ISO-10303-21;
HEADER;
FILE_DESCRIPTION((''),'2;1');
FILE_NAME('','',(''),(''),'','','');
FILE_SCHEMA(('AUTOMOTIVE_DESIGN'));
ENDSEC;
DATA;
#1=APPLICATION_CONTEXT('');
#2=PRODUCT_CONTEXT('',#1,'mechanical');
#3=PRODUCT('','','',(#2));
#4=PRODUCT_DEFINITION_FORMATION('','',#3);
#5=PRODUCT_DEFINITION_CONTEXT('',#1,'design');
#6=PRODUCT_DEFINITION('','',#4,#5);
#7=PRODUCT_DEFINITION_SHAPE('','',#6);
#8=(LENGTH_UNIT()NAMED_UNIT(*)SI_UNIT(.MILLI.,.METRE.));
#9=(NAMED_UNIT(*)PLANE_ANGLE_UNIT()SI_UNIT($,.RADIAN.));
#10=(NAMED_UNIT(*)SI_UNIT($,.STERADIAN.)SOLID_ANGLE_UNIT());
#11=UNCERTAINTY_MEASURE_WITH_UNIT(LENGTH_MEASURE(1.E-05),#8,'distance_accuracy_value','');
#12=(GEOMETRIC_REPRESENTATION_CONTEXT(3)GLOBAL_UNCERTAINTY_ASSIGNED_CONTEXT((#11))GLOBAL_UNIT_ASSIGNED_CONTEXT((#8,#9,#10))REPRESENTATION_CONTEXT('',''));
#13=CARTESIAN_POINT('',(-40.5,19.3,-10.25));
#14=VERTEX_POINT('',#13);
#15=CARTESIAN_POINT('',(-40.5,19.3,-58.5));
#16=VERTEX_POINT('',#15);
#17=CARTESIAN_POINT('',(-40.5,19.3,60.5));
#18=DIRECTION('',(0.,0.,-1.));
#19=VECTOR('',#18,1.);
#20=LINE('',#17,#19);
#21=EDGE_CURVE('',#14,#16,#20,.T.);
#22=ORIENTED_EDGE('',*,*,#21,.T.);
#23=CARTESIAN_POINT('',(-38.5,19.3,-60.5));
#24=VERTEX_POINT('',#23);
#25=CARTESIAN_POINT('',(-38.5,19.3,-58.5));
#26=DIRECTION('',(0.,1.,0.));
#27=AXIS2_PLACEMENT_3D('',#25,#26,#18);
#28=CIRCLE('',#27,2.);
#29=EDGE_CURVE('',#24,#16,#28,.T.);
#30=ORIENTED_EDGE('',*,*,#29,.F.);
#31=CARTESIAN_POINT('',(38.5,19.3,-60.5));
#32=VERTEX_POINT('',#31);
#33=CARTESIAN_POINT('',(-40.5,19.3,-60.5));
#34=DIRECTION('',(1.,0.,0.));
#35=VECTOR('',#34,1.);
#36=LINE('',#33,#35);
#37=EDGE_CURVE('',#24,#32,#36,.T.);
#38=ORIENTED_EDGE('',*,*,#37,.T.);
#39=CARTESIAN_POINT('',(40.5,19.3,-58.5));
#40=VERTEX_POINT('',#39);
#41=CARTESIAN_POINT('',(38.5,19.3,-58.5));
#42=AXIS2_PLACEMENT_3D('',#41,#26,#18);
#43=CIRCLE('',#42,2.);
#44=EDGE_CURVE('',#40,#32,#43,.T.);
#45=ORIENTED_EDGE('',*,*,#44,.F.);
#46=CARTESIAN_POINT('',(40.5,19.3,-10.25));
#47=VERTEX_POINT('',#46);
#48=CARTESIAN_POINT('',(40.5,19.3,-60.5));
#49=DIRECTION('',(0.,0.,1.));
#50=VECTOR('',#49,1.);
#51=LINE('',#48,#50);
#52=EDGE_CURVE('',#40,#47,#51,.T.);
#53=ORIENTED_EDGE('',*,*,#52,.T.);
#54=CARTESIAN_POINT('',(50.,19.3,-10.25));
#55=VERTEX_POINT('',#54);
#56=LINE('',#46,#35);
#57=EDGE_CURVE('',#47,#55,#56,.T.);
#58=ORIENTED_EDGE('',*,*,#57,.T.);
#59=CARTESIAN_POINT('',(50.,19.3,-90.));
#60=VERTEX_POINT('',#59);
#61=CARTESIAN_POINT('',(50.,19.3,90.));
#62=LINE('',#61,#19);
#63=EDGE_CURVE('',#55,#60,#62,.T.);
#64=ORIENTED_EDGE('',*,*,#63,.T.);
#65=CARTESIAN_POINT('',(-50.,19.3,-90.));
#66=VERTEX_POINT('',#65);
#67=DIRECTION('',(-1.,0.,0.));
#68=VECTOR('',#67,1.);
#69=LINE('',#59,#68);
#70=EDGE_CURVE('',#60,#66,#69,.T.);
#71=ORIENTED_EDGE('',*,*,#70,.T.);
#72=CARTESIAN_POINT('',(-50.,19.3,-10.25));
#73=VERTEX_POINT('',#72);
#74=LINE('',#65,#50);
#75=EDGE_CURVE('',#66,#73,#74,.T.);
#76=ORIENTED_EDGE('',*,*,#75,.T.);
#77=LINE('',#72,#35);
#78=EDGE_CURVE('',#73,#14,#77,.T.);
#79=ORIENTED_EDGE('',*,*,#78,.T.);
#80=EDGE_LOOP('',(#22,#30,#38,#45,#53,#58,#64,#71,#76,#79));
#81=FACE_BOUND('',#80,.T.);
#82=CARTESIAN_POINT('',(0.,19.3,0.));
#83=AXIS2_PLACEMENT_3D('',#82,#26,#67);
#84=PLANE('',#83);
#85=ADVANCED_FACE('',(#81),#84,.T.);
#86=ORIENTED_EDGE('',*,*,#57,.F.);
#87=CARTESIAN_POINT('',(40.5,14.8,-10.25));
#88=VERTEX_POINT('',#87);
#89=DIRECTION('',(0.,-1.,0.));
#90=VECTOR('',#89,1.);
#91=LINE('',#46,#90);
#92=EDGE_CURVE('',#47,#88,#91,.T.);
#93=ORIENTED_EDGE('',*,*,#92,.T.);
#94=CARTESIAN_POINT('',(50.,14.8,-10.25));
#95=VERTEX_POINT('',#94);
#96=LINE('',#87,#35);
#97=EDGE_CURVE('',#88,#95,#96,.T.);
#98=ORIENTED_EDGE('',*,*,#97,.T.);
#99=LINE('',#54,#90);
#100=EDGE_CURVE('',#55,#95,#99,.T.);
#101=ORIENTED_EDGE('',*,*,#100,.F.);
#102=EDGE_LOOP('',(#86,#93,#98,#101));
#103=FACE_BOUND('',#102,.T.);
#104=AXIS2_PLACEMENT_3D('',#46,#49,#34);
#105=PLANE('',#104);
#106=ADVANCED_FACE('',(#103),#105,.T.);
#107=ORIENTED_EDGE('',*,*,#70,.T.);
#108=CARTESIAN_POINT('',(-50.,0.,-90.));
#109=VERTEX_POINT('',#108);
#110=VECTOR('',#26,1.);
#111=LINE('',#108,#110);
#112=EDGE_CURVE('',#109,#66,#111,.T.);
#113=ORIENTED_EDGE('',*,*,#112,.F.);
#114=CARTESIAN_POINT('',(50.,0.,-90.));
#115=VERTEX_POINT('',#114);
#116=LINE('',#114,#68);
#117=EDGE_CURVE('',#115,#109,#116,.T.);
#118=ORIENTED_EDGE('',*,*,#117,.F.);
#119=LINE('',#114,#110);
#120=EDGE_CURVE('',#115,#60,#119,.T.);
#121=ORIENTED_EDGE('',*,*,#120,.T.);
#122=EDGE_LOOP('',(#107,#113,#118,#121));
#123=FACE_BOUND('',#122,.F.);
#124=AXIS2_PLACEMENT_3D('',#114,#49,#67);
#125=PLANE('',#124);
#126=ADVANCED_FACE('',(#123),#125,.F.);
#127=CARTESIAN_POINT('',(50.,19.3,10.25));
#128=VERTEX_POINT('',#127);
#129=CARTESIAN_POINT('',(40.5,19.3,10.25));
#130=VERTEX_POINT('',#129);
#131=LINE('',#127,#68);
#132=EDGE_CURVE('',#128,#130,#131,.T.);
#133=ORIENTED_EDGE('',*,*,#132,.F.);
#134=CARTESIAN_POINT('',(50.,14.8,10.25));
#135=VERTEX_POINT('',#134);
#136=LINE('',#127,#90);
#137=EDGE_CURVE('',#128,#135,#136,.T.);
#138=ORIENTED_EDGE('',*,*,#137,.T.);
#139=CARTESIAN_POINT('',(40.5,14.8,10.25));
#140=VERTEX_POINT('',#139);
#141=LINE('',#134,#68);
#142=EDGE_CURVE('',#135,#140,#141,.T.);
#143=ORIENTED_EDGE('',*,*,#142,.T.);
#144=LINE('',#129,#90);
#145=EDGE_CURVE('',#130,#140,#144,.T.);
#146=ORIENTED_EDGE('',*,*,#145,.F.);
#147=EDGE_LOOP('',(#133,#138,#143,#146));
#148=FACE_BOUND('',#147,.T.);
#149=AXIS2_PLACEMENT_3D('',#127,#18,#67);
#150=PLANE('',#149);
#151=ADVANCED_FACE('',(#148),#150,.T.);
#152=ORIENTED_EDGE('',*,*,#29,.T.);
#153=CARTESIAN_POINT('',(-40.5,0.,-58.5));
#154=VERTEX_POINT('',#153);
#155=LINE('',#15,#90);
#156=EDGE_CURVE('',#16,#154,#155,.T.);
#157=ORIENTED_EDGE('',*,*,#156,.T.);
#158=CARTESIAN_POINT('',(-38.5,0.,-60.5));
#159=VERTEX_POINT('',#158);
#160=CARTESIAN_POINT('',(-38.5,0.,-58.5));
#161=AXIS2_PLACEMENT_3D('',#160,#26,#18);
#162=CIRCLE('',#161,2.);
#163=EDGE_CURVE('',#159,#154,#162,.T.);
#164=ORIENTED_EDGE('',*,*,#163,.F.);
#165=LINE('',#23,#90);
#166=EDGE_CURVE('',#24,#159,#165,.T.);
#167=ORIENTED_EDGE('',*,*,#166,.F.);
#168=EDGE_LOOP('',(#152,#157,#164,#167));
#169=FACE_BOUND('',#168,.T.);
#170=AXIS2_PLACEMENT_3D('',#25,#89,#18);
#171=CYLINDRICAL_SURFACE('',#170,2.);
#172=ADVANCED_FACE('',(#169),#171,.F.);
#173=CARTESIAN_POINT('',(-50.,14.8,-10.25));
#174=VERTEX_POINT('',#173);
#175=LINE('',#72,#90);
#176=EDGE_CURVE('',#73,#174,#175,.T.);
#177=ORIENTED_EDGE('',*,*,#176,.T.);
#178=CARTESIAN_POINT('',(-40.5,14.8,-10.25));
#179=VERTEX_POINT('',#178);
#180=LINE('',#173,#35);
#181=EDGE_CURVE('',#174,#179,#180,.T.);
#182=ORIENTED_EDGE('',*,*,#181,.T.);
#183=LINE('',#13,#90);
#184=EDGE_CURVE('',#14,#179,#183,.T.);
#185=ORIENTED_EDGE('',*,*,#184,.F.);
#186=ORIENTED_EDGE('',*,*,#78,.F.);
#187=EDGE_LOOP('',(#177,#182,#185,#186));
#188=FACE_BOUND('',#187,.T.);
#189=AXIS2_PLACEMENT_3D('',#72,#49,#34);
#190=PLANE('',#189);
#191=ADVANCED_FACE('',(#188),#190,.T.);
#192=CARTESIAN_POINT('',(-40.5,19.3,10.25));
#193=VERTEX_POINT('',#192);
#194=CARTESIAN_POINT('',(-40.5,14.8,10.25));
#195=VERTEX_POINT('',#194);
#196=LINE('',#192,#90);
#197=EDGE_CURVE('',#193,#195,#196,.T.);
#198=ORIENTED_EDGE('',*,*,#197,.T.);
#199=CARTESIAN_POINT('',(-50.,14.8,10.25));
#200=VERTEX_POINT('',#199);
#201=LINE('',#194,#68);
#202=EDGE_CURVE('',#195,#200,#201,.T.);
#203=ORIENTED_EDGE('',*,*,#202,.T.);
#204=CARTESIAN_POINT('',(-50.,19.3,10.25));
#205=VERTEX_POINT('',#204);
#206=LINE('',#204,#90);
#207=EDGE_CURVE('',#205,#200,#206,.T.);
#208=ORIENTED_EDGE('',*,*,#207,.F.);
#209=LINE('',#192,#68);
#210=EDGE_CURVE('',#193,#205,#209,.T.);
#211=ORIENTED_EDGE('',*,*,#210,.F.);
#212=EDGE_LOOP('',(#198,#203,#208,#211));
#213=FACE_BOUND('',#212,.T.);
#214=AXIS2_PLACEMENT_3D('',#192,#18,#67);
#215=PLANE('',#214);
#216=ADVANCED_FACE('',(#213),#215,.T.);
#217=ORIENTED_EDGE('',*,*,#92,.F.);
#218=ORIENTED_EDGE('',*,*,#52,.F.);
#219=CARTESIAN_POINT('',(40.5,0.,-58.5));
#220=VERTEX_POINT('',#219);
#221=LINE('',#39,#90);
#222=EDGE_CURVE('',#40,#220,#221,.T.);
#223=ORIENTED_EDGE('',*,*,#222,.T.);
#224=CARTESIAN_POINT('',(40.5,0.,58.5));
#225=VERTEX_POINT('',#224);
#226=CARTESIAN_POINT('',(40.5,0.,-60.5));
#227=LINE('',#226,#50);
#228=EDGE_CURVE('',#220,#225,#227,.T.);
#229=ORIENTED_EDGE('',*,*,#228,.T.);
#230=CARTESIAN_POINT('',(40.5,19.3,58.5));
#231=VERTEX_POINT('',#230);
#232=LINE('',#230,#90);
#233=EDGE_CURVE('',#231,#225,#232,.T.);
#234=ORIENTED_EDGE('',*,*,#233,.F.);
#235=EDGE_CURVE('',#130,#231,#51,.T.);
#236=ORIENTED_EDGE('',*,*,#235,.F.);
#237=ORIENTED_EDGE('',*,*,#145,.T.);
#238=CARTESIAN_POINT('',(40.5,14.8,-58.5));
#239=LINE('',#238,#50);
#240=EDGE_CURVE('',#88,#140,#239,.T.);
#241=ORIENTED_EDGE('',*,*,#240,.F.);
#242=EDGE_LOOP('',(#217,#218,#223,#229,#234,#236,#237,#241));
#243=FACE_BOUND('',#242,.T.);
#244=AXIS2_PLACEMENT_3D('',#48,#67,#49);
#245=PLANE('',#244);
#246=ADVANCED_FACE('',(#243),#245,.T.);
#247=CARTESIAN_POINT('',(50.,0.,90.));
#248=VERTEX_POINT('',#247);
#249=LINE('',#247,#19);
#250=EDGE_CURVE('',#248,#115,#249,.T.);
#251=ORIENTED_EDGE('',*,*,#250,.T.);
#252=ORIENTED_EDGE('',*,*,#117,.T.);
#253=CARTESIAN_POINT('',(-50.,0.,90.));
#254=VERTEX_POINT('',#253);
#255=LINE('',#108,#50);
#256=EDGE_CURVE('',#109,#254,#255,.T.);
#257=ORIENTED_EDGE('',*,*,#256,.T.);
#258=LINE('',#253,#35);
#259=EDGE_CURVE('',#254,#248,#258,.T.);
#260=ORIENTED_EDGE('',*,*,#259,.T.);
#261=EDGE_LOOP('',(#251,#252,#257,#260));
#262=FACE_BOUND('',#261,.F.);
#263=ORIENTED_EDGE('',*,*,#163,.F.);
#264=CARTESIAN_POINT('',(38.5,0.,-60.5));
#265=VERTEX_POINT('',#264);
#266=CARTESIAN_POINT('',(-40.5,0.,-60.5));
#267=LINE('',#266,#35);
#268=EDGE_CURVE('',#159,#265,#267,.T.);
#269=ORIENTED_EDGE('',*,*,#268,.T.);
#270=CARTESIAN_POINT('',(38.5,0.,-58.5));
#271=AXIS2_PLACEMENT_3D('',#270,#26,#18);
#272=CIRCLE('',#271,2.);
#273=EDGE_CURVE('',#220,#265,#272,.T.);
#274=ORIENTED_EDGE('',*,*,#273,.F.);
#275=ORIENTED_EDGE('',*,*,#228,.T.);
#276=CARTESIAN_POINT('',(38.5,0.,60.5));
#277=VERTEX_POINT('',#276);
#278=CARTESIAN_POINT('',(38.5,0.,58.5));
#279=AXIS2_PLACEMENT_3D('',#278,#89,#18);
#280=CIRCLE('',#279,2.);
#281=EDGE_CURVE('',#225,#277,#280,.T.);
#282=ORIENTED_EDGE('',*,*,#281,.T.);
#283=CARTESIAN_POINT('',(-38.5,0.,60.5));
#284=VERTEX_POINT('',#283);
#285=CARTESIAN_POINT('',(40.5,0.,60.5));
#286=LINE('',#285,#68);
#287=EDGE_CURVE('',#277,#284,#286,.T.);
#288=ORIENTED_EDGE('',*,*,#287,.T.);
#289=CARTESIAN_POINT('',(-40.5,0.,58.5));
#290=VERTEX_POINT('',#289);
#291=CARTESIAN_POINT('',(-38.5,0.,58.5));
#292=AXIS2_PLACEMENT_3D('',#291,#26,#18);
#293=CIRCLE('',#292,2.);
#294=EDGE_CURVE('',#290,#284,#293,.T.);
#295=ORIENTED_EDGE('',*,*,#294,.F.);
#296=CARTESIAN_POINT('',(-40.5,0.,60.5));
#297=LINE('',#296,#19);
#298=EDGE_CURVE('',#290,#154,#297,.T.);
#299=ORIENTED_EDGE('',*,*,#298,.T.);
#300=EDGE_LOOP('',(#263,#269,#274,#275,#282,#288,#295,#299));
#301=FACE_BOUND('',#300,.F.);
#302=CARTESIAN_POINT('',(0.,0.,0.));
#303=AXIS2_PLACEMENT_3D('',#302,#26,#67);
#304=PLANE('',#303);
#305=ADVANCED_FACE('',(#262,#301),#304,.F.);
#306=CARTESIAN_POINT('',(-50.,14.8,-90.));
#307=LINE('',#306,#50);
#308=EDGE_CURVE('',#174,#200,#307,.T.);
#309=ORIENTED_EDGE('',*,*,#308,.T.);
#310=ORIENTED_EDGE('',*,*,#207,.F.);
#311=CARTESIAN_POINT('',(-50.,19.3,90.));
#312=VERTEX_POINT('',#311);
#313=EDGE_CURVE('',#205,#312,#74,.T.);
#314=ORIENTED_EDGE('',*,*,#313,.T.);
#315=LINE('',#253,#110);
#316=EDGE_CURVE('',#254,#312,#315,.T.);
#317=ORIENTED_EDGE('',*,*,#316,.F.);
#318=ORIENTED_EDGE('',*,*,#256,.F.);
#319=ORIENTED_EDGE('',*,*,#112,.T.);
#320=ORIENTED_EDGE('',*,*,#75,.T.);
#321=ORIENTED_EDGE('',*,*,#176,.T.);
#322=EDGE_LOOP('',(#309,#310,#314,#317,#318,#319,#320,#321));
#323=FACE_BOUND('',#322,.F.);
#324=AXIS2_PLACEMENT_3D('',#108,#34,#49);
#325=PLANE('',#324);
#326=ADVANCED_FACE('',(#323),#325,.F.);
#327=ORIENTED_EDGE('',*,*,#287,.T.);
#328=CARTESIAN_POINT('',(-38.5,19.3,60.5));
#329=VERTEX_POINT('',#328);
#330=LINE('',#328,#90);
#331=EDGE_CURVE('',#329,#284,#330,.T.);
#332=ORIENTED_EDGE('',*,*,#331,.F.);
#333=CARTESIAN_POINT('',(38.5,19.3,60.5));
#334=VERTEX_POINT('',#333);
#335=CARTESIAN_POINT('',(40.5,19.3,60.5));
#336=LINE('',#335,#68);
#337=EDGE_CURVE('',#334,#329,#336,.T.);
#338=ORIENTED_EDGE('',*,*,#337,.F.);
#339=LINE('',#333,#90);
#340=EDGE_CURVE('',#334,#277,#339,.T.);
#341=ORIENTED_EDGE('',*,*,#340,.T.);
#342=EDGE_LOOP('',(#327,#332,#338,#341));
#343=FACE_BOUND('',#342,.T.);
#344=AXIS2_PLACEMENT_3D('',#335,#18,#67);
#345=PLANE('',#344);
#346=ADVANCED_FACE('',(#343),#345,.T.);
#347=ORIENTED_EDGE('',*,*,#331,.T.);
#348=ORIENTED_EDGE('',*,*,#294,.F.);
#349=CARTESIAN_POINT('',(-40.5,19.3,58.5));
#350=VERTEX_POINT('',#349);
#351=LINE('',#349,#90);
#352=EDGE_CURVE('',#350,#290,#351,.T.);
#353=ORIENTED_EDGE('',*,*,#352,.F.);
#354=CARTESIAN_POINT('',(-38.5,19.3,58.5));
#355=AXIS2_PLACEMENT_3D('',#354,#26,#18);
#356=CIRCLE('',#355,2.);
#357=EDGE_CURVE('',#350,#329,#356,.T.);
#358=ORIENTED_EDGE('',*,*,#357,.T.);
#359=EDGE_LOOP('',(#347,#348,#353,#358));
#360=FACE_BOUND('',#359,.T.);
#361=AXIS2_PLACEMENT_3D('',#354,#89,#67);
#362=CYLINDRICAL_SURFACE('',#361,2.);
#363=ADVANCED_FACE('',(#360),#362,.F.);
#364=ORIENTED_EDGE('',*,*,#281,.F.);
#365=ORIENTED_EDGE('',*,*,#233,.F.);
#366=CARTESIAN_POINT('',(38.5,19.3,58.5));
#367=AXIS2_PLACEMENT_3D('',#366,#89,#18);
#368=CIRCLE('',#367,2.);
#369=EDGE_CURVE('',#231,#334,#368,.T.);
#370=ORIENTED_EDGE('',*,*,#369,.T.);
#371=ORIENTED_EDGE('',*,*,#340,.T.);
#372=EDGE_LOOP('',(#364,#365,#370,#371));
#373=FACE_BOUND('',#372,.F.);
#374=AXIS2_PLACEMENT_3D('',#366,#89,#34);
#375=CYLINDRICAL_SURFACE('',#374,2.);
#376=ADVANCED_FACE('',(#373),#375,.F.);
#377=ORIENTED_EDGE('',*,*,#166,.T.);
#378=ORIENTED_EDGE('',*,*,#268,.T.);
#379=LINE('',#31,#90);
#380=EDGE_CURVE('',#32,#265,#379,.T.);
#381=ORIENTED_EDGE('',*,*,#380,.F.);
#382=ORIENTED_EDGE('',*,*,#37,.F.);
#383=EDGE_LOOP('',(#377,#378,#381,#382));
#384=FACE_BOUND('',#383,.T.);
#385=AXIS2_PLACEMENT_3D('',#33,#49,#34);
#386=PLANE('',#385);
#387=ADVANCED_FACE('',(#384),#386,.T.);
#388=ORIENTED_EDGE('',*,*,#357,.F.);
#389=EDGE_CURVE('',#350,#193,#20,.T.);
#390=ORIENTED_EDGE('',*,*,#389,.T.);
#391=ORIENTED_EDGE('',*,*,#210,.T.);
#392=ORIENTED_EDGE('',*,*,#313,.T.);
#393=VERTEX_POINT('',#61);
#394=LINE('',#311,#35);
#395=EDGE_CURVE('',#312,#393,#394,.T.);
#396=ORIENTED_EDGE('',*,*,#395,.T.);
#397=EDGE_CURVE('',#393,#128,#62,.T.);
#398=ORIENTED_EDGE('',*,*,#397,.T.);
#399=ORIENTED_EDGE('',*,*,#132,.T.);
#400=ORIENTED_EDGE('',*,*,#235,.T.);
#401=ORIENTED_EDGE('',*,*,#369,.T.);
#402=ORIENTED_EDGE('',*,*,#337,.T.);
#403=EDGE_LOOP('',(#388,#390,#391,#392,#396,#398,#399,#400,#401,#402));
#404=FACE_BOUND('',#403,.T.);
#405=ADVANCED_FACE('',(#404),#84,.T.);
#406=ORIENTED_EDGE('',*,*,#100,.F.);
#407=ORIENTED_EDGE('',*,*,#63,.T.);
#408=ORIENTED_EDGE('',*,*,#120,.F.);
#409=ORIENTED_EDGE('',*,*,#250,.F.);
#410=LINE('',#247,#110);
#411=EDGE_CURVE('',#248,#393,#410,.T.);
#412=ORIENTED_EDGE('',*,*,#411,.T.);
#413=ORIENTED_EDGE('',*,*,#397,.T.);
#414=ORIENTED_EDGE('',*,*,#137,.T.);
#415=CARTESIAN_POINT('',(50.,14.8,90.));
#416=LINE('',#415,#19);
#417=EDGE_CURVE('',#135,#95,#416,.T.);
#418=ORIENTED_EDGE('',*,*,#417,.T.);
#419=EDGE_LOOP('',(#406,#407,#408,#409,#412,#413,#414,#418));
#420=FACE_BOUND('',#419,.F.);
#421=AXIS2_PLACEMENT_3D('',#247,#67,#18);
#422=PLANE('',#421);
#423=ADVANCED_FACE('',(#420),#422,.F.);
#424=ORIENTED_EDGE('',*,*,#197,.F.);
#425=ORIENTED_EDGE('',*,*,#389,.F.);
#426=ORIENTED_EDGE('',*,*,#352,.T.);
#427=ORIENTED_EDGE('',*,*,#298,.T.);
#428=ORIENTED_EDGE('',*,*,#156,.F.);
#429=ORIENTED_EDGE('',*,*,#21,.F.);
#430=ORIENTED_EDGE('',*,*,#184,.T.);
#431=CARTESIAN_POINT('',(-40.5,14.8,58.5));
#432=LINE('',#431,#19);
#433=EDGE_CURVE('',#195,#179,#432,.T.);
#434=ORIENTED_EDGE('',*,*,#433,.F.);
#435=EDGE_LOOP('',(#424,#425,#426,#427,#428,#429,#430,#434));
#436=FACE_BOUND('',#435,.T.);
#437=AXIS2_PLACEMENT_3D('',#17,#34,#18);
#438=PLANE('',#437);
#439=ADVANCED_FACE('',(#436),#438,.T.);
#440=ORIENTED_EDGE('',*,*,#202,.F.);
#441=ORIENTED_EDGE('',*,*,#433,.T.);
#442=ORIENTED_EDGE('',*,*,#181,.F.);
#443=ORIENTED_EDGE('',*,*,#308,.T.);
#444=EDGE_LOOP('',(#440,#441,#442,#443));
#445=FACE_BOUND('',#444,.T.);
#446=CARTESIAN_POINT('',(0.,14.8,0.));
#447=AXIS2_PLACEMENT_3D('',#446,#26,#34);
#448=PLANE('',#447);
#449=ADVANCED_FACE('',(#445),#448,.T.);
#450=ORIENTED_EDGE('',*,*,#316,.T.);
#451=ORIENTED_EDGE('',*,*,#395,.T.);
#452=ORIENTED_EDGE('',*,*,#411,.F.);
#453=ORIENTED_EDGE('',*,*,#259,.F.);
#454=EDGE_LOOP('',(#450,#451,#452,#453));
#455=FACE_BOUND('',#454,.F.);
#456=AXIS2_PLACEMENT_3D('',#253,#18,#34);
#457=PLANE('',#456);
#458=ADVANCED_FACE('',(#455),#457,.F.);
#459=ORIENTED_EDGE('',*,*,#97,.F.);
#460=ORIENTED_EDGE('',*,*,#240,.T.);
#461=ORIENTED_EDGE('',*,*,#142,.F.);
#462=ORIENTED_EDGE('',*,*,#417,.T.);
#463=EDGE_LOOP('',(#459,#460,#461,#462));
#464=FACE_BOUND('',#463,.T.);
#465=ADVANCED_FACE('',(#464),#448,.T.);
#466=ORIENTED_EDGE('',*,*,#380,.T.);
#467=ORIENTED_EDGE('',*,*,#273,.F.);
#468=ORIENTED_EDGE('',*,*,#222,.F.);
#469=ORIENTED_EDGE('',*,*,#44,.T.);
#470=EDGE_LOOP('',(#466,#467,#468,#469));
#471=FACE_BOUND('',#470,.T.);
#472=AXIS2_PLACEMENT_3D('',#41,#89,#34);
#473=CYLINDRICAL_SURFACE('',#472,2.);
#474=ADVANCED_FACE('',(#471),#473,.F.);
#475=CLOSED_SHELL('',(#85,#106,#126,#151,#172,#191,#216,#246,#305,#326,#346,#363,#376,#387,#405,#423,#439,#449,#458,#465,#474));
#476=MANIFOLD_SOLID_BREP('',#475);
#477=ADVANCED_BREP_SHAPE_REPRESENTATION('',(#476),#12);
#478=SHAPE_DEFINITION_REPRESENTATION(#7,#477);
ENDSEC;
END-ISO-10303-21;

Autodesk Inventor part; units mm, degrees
ref_plane "YZ Plane" through (0, 0, 0) normal (1, 0, 0) x (0, 1, 0)
ref_plane "XZ Plane" through (0, 0, 0) normal (0, 1, 0) x (-1, 0, 0)
ref_plane "XY Plane" through (0, 0, 0) normal (0, 0, 1) x (1, 0, 0)
sketch "Sketch1" plane through (0, 0, 0) normal (0, 1, 0) x (-1, 0, 0)
  line L0 (50, 90) -> (-50, 90)
  line L1 (-50, 90) -> (-50, -90)
  line L2 (-50, -90) -> (50, -90)
  line L3 (50, -90) -> (50, 90)
  point P0 (0, 0)
  dimension "d0" = 100
  dimension "d1" = 180
extrude "Extrusion1" add sketch "Sketch1" along normal blind 19.3
sketch "Sketch2" plane through (0, 19.3, 0) normal (0, 1, 0) x (1, 0, 0)
  line L0 (40.5, -60.5) -> (-40.5, -60.5)
  line L1 (-40.5, -60.5) -> (-40.5, 60.5)
  line L2 (-40.5, 60.5) -> (40.5, 60.5)
  line L3 (40.5, 60.5) -> (40.5, -60.5)
  line L4 (40.5, -60.5) -> (-40.5, 60.5) construction
  line L5 (-40.5, -60.5) -> (40.5, 60.5) construction
  point P0 (0, 0)
  dimension "d4" = 81
  dimension "d5" = 121
extrude "Extrusion2" cut sketch "Sketch2" against normal blind 19.3
fillet "Fillet1" radius 2 4 edges at (-40.5, 9.65, -60.5) (-40.5, 9.65, 60.5) (40.5, 9.65, 60.5) (40.5, 9.65, -60.5)
sketch "Sketch3" plane through (0, 19.3, 0) normal (0, 1, 0) x (1, 0, 0)
  line L0 (-50, 90) -> (-50, -90) projected
  line L1 (-40.5, -58.5) -> (-40.5, 58.5) projected
  line L2 (-50, 10.25) -> (-40.5, 10.25)
  line L3 (-40.5, 10.25) -> (-40.5, -10.25)
  line L4 (-40.5, -10.25) -> (-50, -10.25)
  line L5 (-50, -10.25) -> (-50, 10.25)
  line L6 (40.5, 58.5) -> (40.5, -58.5) projected
  line L7 (50, -90) -> (50, 90) projected
  line L8 (40.5, 10.25) -> (50, 10.25)
  line L9 (50, 10.25) -> (50, -10.25)
  line L10 (50, -10.25) -> (40.5, -10.25)
  line L11 (40.5, -10.25) -> (40.5, 10.25)
  point P0 (0, 0)
  dimension "d9" = 20.5
extrude "Extrusion3" cut sketch "Sketch3" against normal blind 4.5
properties part number "Cutter-bed"
